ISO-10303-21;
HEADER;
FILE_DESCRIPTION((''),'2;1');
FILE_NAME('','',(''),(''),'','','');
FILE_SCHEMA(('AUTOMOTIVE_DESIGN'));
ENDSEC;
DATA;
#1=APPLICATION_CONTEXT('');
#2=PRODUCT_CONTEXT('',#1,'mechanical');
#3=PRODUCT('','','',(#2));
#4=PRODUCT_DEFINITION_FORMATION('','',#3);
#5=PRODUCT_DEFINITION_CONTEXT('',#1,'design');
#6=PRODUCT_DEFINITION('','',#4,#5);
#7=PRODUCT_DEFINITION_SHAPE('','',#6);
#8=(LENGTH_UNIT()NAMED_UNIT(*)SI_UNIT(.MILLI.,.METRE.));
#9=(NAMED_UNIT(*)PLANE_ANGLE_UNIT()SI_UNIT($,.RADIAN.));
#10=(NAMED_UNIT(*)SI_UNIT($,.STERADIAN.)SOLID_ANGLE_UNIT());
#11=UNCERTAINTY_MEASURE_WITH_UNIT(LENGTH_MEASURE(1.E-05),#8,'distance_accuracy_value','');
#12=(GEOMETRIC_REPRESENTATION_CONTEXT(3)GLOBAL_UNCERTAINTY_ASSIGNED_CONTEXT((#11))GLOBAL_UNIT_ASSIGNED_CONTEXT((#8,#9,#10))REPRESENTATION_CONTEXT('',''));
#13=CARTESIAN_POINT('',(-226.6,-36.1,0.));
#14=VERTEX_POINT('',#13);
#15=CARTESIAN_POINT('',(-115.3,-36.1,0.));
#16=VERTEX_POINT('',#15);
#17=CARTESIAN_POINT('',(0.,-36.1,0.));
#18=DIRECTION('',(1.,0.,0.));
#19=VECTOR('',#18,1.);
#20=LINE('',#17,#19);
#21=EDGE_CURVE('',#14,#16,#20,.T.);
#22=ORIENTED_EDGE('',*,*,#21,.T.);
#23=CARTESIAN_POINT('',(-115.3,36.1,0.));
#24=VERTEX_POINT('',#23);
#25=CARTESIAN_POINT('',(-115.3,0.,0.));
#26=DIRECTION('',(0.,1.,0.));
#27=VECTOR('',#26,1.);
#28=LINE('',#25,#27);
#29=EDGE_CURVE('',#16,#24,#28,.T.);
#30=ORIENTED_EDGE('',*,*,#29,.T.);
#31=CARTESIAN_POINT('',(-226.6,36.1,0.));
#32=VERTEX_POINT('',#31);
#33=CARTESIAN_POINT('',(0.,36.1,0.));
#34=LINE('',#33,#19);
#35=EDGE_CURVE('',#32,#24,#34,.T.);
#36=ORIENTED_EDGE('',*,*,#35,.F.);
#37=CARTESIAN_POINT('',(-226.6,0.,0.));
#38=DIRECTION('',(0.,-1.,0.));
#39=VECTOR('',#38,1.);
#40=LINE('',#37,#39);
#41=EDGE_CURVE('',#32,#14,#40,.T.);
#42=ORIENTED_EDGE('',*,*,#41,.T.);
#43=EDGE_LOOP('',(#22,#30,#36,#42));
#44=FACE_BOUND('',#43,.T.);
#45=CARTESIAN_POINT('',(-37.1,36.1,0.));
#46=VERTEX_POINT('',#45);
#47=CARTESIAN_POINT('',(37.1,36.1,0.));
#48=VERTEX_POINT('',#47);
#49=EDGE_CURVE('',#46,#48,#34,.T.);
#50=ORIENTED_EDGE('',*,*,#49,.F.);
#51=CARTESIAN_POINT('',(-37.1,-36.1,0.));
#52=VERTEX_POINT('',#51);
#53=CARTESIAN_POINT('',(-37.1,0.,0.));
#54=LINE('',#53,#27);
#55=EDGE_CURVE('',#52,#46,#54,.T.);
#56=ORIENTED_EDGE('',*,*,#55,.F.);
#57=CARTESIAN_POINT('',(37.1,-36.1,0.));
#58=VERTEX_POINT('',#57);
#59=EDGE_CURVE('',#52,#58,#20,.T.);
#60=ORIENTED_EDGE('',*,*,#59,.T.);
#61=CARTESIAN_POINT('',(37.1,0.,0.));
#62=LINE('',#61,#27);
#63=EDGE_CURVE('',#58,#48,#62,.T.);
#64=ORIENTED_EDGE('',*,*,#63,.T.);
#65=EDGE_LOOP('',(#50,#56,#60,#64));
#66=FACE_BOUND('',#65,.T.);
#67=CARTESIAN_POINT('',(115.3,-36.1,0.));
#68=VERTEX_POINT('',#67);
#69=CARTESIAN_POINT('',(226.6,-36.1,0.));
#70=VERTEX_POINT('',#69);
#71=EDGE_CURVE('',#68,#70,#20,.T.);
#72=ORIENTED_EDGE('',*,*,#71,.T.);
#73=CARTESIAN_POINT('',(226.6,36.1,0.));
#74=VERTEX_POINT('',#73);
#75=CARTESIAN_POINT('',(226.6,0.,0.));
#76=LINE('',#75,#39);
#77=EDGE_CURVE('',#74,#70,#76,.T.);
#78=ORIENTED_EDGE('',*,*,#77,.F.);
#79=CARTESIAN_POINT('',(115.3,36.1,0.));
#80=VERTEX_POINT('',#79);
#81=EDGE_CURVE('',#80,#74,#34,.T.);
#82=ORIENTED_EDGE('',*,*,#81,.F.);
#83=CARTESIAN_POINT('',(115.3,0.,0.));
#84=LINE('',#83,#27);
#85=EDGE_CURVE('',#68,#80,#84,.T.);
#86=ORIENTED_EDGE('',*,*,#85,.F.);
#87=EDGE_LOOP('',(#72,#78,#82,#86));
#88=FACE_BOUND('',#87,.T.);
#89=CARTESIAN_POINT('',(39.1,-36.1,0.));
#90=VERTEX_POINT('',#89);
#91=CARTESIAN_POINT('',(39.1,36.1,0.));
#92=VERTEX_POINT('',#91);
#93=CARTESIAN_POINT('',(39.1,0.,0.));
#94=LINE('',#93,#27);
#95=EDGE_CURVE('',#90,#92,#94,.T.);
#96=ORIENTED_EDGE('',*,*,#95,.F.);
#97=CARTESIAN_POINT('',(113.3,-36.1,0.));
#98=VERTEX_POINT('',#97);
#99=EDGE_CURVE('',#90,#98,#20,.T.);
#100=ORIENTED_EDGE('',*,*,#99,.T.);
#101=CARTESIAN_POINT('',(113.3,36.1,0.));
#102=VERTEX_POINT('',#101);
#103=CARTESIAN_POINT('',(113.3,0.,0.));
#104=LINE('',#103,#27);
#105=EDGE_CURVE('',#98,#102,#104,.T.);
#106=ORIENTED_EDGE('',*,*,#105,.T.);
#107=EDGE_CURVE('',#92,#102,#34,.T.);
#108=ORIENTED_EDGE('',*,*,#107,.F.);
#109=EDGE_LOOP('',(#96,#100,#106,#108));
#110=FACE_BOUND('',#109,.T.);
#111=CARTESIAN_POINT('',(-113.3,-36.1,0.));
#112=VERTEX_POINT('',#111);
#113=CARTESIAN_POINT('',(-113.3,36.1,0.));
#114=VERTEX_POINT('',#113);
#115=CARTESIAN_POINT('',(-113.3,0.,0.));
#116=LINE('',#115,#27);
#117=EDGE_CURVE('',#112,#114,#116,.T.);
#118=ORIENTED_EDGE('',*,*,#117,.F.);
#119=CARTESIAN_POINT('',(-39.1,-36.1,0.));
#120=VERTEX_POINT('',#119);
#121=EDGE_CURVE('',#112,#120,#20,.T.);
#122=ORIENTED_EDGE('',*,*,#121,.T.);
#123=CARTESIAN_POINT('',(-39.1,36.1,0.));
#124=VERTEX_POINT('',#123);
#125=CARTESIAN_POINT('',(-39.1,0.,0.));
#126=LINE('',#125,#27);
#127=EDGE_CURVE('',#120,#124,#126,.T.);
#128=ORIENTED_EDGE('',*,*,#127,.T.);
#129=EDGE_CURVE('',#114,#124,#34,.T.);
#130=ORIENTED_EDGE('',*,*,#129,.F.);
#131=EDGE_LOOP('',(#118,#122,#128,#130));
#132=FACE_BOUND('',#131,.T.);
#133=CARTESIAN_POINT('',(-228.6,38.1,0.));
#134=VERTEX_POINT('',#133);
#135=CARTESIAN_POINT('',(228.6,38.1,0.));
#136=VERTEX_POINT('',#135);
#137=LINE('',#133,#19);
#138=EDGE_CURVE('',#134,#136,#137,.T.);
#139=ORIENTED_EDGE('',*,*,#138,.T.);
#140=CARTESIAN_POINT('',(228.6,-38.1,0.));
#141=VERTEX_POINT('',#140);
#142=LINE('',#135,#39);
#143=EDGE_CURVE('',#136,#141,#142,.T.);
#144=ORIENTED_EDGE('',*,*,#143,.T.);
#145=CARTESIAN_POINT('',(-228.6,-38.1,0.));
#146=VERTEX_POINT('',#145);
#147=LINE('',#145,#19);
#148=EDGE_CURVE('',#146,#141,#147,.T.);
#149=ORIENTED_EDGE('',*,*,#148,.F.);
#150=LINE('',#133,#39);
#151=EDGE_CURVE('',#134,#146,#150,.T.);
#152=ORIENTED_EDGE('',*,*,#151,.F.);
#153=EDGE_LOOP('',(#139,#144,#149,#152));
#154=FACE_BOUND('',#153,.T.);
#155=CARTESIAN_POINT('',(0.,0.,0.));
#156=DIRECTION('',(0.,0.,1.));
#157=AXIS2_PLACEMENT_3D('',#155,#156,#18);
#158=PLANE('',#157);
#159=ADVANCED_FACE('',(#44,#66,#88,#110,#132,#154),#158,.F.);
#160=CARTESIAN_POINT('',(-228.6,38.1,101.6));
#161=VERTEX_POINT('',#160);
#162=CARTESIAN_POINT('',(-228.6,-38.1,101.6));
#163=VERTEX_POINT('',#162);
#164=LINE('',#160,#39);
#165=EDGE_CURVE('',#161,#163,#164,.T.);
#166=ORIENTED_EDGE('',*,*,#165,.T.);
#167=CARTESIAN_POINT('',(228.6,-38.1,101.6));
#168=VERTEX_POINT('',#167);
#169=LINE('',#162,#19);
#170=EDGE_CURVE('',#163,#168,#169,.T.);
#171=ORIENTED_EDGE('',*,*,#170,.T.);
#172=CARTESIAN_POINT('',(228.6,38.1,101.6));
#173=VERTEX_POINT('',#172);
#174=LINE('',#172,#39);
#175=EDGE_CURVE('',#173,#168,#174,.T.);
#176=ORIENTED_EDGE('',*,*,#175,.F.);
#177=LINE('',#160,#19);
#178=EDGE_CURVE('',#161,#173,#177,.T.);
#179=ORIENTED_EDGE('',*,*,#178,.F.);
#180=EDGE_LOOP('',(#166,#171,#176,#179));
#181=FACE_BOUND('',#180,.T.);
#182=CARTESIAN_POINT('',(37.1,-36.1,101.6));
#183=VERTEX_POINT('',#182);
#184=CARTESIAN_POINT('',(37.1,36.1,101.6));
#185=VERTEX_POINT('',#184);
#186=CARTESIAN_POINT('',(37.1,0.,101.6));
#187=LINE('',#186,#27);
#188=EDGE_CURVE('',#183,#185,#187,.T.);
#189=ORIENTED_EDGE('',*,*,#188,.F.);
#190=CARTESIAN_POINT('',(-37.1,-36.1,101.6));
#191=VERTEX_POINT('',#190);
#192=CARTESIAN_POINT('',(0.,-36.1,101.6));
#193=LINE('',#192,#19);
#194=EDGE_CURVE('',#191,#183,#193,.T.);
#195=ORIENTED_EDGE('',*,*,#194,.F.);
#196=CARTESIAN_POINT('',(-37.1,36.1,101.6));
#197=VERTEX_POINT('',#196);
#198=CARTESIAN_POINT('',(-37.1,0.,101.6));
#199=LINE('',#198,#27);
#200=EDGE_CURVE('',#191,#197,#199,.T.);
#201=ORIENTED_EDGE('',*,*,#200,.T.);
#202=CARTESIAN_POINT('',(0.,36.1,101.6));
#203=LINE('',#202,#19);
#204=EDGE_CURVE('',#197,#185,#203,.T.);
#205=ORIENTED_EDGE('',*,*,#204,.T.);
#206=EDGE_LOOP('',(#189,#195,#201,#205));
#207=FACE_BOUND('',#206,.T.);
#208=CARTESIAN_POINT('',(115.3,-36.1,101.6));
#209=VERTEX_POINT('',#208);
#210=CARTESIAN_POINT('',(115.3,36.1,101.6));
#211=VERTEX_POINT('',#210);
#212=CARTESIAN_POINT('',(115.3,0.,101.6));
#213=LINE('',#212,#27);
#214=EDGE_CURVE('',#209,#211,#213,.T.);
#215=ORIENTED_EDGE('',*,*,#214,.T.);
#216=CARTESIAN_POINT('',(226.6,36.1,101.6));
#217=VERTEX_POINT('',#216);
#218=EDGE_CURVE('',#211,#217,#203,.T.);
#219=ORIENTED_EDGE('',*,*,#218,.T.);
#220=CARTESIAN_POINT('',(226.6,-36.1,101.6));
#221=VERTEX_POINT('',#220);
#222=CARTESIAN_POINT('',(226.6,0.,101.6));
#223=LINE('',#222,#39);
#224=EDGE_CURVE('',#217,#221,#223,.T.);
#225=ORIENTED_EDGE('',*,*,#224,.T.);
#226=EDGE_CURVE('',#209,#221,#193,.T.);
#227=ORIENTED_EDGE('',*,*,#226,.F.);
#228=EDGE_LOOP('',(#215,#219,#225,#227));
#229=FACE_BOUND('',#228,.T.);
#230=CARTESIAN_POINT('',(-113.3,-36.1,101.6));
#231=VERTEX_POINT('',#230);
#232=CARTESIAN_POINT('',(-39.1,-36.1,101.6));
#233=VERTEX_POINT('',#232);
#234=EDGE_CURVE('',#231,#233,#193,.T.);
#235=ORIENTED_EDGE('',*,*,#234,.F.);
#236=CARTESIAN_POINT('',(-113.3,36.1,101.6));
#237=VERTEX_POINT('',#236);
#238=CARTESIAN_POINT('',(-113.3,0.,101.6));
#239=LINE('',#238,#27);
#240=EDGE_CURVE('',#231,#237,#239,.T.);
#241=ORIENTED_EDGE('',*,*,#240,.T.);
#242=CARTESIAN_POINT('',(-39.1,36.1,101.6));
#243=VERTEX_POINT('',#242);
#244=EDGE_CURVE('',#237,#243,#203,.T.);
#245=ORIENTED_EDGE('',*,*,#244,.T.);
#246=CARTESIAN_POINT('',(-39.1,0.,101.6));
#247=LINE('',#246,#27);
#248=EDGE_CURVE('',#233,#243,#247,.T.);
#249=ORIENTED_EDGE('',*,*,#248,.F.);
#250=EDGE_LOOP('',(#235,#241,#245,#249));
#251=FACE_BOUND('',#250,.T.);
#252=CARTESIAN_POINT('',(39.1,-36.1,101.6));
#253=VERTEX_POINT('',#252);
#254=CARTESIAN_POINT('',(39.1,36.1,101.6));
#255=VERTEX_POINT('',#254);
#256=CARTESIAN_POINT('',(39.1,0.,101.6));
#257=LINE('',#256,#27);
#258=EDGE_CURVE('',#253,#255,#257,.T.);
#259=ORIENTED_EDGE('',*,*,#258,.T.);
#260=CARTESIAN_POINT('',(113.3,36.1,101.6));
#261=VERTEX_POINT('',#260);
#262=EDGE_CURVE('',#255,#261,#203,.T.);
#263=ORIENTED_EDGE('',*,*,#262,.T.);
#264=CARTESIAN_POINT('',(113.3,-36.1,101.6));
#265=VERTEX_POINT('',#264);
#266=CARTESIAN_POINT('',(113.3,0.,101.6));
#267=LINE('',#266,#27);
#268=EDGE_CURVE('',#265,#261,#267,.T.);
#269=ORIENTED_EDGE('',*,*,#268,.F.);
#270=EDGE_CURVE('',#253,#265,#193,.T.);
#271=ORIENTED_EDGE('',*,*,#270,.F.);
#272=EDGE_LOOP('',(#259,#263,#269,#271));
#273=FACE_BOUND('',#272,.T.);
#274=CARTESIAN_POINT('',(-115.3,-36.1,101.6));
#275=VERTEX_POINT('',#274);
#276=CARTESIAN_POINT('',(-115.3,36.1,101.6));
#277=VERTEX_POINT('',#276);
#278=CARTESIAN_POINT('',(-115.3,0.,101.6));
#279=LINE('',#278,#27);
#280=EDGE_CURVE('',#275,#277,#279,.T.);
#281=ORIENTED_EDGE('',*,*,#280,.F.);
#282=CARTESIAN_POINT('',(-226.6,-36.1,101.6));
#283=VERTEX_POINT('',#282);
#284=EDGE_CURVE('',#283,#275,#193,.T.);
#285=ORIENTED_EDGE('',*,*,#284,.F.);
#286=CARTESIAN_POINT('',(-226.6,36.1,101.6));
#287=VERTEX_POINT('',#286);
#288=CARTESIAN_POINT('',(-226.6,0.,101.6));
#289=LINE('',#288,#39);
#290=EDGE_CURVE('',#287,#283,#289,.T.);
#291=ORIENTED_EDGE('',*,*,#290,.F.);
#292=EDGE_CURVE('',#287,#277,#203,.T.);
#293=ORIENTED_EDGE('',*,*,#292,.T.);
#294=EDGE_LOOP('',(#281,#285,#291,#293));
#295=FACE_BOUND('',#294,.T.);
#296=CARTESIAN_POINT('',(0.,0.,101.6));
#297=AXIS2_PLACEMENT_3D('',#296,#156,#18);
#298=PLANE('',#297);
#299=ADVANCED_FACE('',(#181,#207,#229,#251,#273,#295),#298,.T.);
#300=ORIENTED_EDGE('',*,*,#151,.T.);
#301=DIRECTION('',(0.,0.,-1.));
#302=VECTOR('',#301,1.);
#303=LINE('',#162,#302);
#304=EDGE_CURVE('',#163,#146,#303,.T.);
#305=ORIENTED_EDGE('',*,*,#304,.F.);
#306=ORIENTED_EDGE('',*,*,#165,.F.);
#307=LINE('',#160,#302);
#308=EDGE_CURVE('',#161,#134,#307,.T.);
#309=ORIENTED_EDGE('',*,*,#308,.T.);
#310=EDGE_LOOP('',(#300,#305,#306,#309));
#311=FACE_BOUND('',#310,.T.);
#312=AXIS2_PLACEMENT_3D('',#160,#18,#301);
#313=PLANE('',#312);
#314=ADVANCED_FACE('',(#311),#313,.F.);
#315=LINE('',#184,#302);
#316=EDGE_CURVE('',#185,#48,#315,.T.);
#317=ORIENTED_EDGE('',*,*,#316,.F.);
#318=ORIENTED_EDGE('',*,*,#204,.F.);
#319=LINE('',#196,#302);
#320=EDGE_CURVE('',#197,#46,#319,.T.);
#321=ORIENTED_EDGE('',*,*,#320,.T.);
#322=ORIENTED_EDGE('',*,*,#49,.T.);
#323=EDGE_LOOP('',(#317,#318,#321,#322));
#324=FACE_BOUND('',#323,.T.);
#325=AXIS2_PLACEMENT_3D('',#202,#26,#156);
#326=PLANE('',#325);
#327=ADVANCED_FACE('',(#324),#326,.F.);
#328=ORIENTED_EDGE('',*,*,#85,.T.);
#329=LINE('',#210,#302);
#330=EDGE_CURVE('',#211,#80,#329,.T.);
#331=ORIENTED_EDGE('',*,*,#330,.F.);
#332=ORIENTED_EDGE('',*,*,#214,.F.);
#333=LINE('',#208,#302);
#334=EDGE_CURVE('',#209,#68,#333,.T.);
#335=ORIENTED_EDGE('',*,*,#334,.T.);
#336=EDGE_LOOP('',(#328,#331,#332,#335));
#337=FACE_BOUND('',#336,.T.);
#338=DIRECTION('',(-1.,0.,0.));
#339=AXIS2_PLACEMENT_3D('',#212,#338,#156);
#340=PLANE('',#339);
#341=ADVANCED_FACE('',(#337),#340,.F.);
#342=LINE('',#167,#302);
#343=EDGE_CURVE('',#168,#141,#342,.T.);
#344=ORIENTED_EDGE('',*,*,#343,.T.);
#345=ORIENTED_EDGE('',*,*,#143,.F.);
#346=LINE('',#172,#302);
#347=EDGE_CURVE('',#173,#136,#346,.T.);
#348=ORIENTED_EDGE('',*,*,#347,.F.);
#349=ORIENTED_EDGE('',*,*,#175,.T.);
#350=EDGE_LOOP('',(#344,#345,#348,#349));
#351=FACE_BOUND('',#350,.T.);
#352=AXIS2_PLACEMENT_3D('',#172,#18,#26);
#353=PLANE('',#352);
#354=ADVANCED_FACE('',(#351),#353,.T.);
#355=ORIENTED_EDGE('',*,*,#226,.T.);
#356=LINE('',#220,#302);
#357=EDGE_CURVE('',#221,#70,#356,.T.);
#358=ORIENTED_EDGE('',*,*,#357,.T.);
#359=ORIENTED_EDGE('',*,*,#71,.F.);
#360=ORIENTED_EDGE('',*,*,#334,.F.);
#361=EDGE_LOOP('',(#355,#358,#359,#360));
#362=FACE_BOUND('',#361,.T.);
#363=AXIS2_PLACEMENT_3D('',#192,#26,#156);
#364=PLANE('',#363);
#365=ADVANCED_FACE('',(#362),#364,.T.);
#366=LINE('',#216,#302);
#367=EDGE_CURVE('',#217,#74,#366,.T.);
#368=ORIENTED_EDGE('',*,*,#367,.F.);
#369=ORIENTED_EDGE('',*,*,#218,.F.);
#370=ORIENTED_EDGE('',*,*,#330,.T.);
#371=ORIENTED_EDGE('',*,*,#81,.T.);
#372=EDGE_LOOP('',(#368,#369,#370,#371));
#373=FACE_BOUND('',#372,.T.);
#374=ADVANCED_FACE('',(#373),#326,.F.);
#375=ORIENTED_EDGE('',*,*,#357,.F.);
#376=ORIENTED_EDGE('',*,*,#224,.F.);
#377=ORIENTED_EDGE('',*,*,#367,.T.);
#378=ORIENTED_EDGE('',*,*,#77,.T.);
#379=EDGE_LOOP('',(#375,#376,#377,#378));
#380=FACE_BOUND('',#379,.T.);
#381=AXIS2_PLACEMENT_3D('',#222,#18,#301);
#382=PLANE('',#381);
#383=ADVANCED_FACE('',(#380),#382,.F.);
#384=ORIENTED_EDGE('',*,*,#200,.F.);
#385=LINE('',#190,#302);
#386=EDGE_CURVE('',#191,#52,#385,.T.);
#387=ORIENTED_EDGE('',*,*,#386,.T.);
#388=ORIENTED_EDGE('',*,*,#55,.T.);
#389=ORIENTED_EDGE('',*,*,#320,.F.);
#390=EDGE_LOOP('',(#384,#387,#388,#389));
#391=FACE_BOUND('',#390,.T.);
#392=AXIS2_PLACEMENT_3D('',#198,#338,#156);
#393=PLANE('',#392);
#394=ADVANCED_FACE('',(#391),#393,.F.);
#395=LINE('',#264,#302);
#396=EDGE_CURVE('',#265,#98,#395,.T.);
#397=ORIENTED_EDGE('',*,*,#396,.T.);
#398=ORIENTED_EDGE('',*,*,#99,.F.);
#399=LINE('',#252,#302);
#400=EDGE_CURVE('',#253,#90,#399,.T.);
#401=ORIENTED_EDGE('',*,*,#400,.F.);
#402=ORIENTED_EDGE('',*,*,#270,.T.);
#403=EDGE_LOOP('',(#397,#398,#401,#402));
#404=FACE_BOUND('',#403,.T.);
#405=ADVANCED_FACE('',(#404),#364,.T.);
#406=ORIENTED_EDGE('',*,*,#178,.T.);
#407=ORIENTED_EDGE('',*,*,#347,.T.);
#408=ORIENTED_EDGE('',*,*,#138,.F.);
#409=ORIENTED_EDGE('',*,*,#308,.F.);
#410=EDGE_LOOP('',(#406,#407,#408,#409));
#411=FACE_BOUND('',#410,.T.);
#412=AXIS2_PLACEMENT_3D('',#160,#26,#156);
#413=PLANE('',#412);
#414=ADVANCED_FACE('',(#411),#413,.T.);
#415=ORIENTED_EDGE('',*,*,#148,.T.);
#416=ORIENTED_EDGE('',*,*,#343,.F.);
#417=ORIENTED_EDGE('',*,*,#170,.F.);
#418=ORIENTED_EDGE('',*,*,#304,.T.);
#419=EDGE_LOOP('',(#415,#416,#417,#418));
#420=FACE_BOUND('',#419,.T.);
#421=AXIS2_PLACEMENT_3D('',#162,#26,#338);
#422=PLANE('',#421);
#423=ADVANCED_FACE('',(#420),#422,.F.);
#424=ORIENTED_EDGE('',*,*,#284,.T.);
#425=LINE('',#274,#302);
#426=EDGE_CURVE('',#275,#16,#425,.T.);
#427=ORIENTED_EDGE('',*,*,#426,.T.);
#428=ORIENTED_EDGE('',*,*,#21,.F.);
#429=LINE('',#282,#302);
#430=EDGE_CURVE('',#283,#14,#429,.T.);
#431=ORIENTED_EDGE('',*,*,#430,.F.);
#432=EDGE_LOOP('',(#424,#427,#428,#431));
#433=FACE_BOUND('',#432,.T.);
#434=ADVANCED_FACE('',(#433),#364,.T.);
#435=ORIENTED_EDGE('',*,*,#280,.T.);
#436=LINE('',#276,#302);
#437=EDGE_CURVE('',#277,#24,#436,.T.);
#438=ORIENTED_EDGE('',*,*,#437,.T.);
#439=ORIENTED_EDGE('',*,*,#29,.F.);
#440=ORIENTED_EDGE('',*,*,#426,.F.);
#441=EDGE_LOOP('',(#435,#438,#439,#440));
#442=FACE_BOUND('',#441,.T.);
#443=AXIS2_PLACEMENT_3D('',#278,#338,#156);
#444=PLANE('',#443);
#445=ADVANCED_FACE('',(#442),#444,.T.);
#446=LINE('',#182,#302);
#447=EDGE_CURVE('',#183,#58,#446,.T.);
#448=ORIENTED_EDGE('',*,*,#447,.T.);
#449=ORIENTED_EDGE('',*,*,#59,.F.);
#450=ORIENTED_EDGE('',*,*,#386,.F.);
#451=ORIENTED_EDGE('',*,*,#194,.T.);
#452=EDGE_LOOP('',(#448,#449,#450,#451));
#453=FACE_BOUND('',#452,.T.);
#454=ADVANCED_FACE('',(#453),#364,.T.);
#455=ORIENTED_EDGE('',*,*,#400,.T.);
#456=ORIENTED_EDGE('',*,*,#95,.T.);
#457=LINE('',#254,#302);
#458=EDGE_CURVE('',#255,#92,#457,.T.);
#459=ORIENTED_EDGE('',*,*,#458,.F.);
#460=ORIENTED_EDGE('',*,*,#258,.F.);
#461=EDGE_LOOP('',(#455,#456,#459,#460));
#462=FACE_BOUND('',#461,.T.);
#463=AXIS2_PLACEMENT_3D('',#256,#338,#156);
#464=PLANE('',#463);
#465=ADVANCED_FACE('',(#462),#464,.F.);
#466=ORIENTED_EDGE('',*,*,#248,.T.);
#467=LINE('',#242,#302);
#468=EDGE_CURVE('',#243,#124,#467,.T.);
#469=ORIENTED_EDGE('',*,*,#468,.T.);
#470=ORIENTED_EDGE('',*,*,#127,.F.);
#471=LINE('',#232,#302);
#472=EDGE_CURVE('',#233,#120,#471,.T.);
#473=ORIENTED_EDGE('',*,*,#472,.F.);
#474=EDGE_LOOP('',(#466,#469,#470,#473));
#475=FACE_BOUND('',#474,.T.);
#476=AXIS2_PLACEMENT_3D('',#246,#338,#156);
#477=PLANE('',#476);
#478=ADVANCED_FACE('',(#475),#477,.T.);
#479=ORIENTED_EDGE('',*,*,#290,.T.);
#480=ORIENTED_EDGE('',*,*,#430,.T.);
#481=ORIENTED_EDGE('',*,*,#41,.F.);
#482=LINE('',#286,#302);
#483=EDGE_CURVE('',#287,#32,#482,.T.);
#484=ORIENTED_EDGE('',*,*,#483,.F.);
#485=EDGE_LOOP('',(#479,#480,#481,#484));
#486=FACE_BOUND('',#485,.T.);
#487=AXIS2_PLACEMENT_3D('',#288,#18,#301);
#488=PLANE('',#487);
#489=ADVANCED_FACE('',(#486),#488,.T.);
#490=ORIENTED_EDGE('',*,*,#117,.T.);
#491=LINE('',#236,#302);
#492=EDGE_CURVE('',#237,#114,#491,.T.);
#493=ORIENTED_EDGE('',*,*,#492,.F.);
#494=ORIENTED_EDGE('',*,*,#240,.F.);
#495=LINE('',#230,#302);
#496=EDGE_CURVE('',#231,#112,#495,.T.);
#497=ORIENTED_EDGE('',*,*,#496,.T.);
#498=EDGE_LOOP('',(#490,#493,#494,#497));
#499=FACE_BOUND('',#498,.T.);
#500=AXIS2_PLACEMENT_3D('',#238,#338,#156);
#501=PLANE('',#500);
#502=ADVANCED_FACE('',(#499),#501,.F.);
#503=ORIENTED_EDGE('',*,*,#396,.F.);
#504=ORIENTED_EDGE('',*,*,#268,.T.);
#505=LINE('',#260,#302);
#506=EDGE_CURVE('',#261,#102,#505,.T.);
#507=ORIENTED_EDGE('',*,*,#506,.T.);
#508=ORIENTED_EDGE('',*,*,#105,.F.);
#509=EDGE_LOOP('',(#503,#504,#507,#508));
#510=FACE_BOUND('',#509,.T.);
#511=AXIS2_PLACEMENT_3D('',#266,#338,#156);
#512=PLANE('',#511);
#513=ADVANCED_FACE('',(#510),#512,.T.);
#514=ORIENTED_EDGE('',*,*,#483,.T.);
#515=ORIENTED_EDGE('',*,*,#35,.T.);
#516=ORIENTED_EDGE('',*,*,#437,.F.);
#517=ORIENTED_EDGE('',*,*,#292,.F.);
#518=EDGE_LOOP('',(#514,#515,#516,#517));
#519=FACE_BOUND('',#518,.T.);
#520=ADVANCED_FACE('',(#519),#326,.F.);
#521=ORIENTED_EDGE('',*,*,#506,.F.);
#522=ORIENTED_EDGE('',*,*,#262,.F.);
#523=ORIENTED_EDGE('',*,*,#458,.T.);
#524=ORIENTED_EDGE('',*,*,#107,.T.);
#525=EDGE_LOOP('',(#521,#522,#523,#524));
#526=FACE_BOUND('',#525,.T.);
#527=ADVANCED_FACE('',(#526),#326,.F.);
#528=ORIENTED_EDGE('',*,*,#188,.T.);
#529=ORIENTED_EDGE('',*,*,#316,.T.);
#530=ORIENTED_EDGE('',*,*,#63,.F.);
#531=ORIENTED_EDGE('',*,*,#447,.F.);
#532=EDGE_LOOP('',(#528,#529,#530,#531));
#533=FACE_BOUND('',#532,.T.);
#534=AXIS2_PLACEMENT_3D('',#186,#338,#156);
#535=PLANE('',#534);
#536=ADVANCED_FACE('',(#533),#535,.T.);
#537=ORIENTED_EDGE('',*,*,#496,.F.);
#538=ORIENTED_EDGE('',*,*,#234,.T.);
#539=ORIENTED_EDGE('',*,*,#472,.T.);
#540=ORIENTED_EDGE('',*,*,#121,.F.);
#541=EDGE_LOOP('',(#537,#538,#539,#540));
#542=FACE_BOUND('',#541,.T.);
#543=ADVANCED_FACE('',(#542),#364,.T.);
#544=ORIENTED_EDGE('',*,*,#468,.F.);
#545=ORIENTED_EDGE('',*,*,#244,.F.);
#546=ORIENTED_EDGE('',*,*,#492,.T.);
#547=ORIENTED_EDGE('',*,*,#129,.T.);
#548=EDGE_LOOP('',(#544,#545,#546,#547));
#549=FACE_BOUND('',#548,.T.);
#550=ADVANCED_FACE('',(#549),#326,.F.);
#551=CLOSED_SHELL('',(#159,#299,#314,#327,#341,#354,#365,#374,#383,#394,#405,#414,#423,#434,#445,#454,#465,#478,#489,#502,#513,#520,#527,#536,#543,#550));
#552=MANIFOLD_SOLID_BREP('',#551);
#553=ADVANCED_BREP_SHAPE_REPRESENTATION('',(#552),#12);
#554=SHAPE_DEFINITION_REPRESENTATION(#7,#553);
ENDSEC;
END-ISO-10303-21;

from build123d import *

# Parameters (mm, degrees)
SKETCH_3_W          = 457.2
SKETCH_3_H          = 76.2
EXTRUDE_4_DEPTH     = 101.6
SKETCH_3_3_W        = 111.3
SKETCH_3_3_H        = 72.2
SKETCH_3_3_W_2      = 74.2
CUT_EXTRUDE_2_DEPTH = 102.6


with BuildPart() as part:
    # Эскиз3 → Бобышка-Вытянуть4 (new body)
    with BuildSketch(Plane.XY):
        Rectangle(SKETCH_3_W, SKETCH_3_H)
    extrude(amount=EXTRUDE_4_DEPTH)

    # Эскиз3<3> → Вырез-Вытянуть2 (cut, through all)
    with BuildSketch(Plane.XY):
        with Locations((-170.95, 0)):
            Rectangle(SKETCH_3_3_W, SKETCH_3_3_H)
        with Locations((-76.2, 0)):
            Rectangle(SKETCH_3_3_W_2, SKETCH_3_3_H)
        Rectangle(SKETCH_3_3_W_2, SKETCH_3_3_H)
        with Locations((76.2, 0)):
            Rectangle(SKETCH_3_3_W_2, SKETCH_3_3_H)
        with Locations((170.95, 0)):
            Rectangle(SKETCH_3_3_W, SKETCH_3_3_H)
    extrude(amount=CUT_EXTRUDE_2_DEPTH, mode=Mode.SUBTRACT)


solid = part.part
